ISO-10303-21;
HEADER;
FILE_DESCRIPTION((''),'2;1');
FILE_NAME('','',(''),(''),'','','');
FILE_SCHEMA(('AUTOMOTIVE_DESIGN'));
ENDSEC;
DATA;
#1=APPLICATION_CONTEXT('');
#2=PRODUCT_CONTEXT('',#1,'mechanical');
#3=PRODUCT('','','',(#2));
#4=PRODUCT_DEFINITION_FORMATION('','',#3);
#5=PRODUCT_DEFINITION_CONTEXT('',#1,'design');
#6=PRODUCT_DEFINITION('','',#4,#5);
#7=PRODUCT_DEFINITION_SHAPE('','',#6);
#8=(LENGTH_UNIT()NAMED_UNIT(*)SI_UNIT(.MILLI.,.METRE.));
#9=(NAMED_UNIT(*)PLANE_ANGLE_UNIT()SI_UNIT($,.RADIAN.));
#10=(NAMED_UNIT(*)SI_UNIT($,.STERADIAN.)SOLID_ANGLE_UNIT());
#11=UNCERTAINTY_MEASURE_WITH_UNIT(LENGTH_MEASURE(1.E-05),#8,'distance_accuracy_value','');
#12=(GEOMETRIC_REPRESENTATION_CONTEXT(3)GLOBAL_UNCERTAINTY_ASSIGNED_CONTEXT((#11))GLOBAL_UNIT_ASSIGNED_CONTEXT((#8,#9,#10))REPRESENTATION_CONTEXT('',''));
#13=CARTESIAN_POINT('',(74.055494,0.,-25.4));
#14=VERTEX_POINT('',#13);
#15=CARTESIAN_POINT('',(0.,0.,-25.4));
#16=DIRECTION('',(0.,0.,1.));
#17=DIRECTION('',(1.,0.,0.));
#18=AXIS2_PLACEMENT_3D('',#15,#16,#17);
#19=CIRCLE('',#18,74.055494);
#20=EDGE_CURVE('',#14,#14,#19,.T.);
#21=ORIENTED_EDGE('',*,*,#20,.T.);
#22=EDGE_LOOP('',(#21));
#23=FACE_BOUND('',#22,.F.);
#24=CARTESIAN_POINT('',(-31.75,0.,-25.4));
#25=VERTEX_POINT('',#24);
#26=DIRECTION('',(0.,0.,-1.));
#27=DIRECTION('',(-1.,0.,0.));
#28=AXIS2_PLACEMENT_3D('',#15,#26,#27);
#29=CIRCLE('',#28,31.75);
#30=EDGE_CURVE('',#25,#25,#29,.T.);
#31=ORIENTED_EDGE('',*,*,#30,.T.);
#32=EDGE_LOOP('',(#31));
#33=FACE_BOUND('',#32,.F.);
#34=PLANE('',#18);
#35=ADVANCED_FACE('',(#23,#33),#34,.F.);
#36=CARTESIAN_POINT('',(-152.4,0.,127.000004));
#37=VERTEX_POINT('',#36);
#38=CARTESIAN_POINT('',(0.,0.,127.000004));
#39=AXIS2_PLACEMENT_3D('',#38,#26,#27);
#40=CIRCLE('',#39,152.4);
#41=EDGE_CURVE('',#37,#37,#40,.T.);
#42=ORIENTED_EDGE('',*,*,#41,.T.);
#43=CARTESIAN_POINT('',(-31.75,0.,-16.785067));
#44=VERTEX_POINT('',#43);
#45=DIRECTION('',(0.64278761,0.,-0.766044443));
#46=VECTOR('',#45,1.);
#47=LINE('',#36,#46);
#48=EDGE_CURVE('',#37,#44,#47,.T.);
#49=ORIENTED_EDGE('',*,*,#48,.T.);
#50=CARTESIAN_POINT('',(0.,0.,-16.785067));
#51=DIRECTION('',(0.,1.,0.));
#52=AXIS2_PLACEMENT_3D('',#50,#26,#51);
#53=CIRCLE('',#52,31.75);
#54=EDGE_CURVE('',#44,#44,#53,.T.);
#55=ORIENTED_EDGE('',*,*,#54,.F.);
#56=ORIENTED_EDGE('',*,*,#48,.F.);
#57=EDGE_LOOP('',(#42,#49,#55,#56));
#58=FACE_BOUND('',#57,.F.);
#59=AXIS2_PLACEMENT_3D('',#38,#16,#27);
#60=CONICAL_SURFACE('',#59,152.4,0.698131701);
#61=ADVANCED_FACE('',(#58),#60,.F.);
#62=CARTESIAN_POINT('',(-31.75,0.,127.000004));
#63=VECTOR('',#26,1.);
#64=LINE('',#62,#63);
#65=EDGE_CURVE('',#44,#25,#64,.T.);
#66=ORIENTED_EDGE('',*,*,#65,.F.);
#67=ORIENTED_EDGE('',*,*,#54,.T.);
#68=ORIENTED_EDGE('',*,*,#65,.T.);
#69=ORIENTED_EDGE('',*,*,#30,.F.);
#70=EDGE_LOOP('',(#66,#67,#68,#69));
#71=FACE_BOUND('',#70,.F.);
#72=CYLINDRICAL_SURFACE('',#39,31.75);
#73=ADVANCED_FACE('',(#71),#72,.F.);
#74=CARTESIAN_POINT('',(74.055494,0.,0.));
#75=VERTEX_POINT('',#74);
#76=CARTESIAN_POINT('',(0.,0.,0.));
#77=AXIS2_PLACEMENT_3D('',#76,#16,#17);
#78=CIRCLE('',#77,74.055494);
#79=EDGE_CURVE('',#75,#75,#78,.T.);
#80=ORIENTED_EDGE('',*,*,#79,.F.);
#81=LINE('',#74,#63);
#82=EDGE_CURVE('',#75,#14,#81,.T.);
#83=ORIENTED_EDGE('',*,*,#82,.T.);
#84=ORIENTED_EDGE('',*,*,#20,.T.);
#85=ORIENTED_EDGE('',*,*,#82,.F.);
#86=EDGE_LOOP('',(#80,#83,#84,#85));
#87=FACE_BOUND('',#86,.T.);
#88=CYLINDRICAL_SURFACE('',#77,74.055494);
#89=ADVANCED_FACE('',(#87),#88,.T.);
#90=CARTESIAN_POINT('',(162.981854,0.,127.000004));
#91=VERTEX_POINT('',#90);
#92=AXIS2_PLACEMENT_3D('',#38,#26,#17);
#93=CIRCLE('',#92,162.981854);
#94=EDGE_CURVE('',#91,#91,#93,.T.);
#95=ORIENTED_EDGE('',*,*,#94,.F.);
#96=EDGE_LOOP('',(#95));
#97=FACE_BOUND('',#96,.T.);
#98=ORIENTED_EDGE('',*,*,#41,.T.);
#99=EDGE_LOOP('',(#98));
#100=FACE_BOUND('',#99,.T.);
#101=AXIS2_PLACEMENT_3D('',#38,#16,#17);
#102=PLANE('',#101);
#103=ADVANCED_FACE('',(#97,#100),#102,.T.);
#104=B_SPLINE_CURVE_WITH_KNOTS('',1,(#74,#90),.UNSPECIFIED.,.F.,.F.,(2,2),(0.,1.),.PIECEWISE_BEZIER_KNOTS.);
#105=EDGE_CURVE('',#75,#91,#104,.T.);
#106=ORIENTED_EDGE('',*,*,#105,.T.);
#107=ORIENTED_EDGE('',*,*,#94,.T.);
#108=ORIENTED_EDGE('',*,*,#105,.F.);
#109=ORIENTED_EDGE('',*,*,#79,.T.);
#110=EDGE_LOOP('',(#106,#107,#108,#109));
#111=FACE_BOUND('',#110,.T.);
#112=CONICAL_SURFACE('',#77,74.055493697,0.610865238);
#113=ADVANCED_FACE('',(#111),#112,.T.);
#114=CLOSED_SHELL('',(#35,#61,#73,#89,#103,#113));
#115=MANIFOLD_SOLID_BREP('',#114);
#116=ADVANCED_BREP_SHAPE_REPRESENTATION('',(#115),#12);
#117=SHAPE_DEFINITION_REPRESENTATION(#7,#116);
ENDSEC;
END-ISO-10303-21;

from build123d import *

# Parameters (mm, degrees)
F0_R           = 74.0554936968
F1_DEPTH       = 127.0000040531
F1_TAPER       = -35
F1_DEPTH_BACK  = 25.4
F5_D           = 63.5
F5_CSINK_D     = 304.8
F5_CSINK_ANGLE = 80


with BuildPart() as f1:
    # F0 (on Top) → F1 (new body, two sides)
    with BuildSketch(Plane.XY) as f1_sk:
        Circle(F0_R)
    extrude(amount=F1_DEPTH, taper=F1_TAPER)
    extrude(f1_sk.sketch, amount=-F1_DEPTH_BACK)

    # F5 (through all)
    with Locations(Plane.XY.offset(127.0000040531)):
        with Locations((0, 0)):
            CounterSinkHole(F5_D / 2, F5_CSINK_D / 2, counter_sink_angle=F5_CSINK_ANGLE)


solid = f1.part
